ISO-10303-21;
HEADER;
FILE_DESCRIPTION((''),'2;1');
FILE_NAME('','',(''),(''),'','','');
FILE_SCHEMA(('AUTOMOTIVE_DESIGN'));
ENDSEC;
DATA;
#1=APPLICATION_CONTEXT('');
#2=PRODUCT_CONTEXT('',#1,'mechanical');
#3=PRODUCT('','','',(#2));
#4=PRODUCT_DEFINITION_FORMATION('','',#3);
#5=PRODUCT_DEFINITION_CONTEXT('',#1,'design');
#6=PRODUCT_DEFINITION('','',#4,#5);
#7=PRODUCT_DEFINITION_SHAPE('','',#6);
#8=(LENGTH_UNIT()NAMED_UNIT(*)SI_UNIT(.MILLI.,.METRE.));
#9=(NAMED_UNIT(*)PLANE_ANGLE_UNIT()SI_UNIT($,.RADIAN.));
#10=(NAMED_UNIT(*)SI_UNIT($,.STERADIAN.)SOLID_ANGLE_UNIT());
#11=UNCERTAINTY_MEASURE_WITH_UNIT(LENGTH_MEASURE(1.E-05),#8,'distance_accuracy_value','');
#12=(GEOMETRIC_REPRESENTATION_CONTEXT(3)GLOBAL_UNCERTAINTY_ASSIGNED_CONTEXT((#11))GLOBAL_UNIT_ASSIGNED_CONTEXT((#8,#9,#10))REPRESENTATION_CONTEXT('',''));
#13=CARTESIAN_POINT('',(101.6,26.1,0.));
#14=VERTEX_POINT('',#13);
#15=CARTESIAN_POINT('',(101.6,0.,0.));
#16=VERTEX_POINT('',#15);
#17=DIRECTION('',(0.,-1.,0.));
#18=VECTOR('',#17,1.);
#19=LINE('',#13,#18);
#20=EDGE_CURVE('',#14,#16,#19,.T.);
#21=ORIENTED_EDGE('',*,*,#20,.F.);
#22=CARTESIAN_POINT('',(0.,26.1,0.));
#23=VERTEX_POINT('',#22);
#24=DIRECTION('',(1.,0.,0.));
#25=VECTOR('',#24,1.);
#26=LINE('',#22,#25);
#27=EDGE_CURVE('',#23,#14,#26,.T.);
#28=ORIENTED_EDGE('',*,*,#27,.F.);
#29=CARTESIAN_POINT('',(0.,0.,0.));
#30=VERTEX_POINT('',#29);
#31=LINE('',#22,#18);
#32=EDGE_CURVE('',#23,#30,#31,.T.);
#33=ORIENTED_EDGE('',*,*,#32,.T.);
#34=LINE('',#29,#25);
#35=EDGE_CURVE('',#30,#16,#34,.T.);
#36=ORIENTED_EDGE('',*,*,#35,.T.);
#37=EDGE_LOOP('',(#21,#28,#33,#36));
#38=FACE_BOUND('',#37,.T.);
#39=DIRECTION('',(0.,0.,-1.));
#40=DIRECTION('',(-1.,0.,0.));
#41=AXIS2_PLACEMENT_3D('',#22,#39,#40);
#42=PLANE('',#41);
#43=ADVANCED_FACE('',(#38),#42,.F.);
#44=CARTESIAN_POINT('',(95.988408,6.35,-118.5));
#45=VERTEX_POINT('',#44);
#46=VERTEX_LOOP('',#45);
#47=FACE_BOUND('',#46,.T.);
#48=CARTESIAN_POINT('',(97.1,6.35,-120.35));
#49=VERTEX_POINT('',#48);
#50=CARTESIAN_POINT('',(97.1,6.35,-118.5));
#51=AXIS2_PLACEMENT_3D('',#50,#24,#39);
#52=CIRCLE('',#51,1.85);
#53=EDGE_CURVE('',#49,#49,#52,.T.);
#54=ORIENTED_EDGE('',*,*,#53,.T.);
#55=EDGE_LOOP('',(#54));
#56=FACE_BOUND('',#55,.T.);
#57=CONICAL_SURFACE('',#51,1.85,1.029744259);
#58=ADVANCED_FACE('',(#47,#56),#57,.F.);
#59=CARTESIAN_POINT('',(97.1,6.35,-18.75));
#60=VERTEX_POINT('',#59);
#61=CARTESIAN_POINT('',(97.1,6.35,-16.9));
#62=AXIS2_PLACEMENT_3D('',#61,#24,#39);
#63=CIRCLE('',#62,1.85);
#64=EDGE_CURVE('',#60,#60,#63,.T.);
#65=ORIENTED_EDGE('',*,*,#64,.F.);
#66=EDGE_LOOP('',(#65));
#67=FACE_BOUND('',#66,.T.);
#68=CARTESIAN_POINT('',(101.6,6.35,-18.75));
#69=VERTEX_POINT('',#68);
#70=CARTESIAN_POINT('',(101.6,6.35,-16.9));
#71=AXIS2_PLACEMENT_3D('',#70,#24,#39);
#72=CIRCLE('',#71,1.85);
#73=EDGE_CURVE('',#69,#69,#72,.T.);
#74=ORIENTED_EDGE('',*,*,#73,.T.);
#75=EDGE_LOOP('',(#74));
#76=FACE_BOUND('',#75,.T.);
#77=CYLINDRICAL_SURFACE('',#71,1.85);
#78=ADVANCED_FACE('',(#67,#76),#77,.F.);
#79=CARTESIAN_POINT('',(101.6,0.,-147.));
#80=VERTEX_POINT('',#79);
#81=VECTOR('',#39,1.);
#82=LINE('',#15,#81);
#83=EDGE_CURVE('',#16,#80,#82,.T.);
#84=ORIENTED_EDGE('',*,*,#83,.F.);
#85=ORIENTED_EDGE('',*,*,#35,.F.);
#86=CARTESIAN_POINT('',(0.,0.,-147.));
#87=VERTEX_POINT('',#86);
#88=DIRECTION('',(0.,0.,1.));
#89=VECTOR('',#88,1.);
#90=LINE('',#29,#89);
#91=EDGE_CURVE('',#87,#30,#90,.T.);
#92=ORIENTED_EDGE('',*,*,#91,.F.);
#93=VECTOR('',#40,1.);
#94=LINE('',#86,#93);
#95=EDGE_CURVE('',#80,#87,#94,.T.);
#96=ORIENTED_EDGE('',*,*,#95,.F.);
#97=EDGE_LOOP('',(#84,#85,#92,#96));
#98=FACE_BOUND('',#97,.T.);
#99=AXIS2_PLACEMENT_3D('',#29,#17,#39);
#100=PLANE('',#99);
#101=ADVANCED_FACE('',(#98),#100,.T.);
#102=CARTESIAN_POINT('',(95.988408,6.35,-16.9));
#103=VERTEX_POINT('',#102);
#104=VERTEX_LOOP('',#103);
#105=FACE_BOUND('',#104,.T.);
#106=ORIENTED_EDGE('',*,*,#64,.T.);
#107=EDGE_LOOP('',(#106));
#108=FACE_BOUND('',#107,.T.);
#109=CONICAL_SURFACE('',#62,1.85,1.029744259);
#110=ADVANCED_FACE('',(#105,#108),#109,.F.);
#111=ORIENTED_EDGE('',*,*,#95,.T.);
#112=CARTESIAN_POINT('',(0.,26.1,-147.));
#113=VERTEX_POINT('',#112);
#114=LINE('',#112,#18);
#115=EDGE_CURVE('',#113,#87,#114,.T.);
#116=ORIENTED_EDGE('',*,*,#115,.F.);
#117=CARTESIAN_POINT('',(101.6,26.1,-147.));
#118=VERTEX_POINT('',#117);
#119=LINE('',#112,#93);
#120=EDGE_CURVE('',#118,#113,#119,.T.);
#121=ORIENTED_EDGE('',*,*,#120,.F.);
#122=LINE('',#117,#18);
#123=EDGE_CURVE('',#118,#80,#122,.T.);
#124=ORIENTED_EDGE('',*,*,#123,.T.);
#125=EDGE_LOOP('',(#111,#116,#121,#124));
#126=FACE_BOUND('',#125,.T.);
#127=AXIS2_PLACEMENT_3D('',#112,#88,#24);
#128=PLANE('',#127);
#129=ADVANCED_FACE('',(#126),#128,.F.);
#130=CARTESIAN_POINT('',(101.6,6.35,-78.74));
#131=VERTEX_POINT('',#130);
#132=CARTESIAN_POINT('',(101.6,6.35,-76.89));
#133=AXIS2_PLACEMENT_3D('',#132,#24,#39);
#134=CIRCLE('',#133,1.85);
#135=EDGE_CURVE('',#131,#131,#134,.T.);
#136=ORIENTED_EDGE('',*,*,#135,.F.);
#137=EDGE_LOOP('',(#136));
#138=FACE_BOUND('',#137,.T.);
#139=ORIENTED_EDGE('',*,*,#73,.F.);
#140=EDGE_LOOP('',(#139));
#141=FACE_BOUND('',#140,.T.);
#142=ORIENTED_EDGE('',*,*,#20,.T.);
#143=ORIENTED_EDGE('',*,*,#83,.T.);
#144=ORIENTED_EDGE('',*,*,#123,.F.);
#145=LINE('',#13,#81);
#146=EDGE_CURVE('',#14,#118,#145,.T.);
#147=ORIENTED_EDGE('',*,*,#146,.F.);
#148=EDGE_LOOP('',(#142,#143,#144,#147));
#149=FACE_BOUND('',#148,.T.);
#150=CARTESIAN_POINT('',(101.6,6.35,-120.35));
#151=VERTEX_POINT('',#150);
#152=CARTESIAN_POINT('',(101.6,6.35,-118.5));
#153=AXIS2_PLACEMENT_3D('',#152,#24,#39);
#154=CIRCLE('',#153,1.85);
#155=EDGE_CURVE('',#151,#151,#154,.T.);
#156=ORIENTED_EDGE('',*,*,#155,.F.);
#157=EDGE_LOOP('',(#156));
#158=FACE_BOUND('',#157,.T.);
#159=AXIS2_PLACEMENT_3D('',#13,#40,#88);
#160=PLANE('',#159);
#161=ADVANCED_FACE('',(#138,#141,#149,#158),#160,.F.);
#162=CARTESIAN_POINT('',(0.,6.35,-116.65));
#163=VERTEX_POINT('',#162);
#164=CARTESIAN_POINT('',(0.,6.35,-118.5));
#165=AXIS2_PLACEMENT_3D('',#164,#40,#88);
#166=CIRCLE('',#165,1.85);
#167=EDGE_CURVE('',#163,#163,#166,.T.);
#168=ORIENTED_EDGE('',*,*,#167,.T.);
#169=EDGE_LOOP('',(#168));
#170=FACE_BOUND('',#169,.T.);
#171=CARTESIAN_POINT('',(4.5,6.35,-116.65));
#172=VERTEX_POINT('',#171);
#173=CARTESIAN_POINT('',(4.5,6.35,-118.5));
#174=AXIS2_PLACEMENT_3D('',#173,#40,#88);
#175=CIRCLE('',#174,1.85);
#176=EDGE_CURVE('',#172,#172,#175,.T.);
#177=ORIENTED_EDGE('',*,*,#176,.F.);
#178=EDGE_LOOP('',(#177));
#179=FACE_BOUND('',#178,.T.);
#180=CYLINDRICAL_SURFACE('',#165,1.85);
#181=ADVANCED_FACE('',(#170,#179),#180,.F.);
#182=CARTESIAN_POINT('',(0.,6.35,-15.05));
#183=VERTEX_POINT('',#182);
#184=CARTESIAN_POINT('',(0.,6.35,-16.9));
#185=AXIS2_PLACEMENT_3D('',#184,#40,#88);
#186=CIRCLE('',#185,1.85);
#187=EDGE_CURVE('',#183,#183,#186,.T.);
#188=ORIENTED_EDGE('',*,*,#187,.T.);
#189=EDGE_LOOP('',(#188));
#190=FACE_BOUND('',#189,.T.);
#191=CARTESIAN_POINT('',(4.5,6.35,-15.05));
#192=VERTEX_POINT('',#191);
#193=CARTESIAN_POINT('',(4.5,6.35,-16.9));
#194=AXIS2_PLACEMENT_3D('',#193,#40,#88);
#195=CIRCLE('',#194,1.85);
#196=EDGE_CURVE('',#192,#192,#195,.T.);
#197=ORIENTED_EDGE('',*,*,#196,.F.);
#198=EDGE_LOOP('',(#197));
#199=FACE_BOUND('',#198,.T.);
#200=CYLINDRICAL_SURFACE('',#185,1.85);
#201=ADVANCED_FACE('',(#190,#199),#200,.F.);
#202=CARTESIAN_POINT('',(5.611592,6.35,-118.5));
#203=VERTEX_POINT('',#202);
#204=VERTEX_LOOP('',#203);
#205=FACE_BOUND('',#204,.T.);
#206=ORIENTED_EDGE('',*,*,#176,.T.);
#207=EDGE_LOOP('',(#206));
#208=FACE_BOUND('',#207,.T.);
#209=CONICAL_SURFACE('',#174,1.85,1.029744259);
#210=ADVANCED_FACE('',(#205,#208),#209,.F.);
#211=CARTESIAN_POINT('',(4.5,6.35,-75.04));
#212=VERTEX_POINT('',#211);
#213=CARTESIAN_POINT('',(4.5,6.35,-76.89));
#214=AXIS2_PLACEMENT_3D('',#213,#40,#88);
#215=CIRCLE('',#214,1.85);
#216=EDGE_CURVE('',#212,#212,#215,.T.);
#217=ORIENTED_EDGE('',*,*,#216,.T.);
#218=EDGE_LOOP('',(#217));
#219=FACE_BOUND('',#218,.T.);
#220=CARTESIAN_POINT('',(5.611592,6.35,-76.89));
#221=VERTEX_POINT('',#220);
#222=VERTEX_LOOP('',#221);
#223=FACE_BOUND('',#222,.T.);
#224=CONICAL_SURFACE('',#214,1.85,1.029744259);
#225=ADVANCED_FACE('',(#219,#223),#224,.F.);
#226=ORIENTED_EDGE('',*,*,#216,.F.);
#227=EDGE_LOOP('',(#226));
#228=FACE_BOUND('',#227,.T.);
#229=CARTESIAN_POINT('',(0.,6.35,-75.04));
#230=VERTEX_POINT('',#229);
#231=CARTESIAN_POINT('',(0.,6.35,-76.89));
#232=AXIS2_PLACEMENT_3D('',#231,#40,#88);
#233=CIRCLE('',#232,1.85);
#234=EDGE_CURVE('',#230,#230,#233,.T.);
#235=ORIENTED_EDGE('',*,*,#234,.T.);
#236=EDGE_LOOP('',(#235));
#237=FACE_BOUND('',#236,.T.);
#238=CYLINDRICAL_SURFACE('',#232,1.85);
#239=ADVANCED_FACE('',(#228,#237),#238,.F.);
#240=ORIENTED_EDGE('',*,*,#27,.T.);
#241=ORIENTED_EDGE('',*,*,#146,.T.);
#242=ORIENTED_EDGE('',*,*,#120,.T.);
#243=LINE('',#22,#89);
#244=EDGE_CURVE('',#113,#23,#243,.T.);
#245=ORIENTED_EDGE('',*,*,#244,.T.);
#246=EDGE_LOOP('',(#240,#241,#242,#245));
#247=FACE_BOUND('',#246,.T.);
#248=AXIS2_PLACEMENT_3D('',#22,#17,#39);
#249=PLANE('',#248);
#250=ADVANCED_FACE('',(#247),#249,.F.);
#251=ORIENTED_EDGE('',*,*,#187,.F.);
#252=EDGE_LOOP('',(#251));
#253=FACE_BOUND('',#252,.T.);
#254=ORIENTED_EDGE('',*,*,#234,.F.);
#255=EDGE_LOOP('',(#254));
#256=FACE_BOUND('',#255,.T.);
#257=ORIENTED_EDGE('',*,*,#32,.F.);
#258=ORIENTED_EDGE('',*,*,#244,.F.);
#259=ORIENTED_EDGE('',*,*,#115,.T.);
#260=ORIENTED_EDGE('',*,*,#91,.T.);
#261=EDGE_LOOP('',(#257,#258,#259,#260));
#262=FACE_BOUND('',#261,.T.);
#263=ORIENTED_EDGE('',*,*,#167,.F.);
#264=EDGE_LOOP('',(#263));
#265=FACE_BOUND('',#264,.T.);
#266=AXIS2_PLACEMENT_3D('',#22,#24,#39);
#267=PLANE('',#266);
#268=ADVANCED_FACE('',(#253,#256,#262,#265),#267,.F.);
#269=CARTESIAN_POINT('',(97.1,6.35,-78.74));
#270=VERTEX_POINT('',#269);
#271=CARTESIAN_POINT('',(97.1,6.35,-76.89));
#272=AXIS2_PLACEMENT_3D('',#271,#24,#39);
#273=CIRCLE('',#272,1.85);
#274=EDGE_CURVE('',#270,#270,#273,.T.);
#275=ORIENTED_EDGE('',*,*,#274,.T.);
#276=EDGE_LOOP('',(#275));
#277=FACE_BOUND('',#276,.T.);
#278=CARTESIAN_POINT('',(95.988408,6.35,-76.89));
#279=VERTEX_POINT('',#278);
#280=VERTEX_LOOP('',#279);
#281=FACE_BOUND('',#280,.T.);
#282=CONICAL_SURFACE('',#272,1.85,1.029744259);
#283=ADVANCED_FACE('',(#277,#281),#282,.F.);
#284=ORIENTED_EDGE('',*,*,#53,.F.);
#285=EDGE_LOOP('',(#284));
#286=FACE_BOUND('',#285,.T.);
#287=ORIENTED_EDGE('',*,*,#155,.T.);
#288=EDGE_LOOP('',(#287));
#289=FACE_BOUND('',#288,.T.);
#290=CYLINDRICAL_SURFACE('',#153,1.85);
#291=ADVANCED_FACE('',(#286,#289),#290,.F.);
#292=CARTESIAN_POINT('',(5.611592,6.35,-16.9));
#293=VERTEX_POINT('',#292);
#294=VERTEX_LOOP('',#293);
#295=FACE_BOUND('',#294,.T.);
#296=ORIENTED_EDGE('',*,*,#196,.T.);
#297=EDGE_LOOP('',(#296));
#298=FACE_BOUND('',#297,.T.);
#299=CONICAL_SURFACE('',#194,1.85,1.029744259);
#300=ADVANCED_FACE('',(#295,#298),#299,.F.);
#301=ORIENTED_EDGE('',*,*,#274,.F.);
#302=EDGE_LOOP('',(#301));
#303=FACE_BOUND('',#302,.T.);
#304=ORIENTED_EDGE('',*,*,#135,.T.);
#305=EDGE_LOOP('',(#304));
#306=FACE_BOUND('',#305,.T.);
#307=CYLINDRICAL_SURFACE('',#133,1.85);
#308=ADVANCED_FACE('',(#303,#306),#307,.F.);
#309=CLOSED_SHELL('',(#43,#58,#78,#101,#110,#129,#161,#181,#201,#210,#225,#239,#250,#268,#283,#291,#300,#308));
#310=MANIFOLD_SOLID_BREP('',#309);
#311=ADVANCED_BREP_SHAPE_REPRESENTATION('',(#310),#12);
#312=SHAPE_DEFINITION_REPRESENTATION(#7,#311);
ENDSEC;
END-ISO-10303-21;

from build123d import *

# Parameters (mm, degrees)
SKETCH_1_W                   = 101.6
SKETCH_1_H                   = 147
EXTRUDE_1_DEPTH              = 26.1
HOLE_WIZARD_M3_51_AT_2_COUNT = 2
HOLE_WIZARD_M3_51_AT_2_PITCH = 59.99
HOLE_WIZARD_M3_51_AT_3_COUNT = 2
HOLE_WIZARD_M3_51_AT_3_PITCH = 101.6


with BuildPart() as part:
    # Эскиз1 → Бобышка-Вытянуть1 (new body)
    with BuildSketch(Plane(origin=(0, 0, 0), x_dir=(1, 0, 0), z_dir=(0, 1, 0))):
        with Locations((50.8, 73.5)):
            Rectangle(SKETCH_1_W, SKETCH_1_H)
    extrude(amount=EXTRUDE_1_DEPTH)

    # Эскиз5 → Сверло под метчик  спиральное M3.51 (revolve, cut)
    with BuildSketch(Plane(origin=(101.6, 6.35, -16.9), x_dir=(0, 0, -1), z_dir=(0, 1, 0))):
        Polygon((0, 0), (0, 5.611592145), (1.85, 4.5), (1.85, 0), align=None)
    hole_wizard_m3_51 = revolve(axis=Axis((107.95, 6.35, -16.9), (-1, 0, 0)), mode=Mode.SUBTRACT)

    # Сверло под метчик  спиральное M3.51 at 2: Сверло под метчик  спиральное M3.51 ×2
    with Locations(*[(0, 0, -i * HOLE_WIZARD_M3_51_AT_2_PITCH) for i in range(1, HOLE_WIZARD_M3_51_AT_2_COUNT)]):
        add(hole_wizard_m3_51, mode=Mode.SUBTRACT)

    # Сверло под метчик  спиральное M3.51 at 3: Сверло под метчик  спиральное M3.51 ×2
    with Locations(*[(0, 0, -i * HOLE_WIZARD_M3_51_AT_3_PITCH) for i in range(1, HOLE_WIZARD_M3_51_AT_3_COUNT)]):
        add(hole_wizard_m3_51, mode=Mode.SUBTRACT)

    # Зеркальное отражение1: Сверло под метчик  спиральное M3.51 across plane
    add(hole_wizard_m3_51.mirror(Plane.ZY.offset(-50.8)), mode=Mode.SUBTRACT)

    # Зеркальное отражение1 copy 1 sketch → Зеркальное отражение1 copy 1 (revolve, cut)
    with BuildSketch(Plane(origin=(0, 6.35, -76.89), x_dir=(0, 0, -1), z_dir=(0, 1, 0))):
        Polygon((0, 0), (0, -5.611592145), (1.85, -4.5), (1.85, 0), align=None)
    revolve(axis=Axis((-6.35, 6.35, -76.89), (-1, 0, 0)), mode=Mode.SUBTRACT)

    # Зеркальное отражение1 copy 2 sketch → Зеркальное отражение1 copy 2 (revolve, cut)
    with BuildSketch(Plane(origin=(0, 6.35, -118.5), x_dir=(0, 0, -1), z_dir=(0, 1, 0))):
        Polygon((0, 0), (0, -5.611592145), (1.85, -4.5), (1.85, 0), align=None)
    revolve(axis=Axis((-6.35, 6.35, -118.5), (-1, 0, 0)), mode=Mode.SUBTRACT)


solid = part.part
